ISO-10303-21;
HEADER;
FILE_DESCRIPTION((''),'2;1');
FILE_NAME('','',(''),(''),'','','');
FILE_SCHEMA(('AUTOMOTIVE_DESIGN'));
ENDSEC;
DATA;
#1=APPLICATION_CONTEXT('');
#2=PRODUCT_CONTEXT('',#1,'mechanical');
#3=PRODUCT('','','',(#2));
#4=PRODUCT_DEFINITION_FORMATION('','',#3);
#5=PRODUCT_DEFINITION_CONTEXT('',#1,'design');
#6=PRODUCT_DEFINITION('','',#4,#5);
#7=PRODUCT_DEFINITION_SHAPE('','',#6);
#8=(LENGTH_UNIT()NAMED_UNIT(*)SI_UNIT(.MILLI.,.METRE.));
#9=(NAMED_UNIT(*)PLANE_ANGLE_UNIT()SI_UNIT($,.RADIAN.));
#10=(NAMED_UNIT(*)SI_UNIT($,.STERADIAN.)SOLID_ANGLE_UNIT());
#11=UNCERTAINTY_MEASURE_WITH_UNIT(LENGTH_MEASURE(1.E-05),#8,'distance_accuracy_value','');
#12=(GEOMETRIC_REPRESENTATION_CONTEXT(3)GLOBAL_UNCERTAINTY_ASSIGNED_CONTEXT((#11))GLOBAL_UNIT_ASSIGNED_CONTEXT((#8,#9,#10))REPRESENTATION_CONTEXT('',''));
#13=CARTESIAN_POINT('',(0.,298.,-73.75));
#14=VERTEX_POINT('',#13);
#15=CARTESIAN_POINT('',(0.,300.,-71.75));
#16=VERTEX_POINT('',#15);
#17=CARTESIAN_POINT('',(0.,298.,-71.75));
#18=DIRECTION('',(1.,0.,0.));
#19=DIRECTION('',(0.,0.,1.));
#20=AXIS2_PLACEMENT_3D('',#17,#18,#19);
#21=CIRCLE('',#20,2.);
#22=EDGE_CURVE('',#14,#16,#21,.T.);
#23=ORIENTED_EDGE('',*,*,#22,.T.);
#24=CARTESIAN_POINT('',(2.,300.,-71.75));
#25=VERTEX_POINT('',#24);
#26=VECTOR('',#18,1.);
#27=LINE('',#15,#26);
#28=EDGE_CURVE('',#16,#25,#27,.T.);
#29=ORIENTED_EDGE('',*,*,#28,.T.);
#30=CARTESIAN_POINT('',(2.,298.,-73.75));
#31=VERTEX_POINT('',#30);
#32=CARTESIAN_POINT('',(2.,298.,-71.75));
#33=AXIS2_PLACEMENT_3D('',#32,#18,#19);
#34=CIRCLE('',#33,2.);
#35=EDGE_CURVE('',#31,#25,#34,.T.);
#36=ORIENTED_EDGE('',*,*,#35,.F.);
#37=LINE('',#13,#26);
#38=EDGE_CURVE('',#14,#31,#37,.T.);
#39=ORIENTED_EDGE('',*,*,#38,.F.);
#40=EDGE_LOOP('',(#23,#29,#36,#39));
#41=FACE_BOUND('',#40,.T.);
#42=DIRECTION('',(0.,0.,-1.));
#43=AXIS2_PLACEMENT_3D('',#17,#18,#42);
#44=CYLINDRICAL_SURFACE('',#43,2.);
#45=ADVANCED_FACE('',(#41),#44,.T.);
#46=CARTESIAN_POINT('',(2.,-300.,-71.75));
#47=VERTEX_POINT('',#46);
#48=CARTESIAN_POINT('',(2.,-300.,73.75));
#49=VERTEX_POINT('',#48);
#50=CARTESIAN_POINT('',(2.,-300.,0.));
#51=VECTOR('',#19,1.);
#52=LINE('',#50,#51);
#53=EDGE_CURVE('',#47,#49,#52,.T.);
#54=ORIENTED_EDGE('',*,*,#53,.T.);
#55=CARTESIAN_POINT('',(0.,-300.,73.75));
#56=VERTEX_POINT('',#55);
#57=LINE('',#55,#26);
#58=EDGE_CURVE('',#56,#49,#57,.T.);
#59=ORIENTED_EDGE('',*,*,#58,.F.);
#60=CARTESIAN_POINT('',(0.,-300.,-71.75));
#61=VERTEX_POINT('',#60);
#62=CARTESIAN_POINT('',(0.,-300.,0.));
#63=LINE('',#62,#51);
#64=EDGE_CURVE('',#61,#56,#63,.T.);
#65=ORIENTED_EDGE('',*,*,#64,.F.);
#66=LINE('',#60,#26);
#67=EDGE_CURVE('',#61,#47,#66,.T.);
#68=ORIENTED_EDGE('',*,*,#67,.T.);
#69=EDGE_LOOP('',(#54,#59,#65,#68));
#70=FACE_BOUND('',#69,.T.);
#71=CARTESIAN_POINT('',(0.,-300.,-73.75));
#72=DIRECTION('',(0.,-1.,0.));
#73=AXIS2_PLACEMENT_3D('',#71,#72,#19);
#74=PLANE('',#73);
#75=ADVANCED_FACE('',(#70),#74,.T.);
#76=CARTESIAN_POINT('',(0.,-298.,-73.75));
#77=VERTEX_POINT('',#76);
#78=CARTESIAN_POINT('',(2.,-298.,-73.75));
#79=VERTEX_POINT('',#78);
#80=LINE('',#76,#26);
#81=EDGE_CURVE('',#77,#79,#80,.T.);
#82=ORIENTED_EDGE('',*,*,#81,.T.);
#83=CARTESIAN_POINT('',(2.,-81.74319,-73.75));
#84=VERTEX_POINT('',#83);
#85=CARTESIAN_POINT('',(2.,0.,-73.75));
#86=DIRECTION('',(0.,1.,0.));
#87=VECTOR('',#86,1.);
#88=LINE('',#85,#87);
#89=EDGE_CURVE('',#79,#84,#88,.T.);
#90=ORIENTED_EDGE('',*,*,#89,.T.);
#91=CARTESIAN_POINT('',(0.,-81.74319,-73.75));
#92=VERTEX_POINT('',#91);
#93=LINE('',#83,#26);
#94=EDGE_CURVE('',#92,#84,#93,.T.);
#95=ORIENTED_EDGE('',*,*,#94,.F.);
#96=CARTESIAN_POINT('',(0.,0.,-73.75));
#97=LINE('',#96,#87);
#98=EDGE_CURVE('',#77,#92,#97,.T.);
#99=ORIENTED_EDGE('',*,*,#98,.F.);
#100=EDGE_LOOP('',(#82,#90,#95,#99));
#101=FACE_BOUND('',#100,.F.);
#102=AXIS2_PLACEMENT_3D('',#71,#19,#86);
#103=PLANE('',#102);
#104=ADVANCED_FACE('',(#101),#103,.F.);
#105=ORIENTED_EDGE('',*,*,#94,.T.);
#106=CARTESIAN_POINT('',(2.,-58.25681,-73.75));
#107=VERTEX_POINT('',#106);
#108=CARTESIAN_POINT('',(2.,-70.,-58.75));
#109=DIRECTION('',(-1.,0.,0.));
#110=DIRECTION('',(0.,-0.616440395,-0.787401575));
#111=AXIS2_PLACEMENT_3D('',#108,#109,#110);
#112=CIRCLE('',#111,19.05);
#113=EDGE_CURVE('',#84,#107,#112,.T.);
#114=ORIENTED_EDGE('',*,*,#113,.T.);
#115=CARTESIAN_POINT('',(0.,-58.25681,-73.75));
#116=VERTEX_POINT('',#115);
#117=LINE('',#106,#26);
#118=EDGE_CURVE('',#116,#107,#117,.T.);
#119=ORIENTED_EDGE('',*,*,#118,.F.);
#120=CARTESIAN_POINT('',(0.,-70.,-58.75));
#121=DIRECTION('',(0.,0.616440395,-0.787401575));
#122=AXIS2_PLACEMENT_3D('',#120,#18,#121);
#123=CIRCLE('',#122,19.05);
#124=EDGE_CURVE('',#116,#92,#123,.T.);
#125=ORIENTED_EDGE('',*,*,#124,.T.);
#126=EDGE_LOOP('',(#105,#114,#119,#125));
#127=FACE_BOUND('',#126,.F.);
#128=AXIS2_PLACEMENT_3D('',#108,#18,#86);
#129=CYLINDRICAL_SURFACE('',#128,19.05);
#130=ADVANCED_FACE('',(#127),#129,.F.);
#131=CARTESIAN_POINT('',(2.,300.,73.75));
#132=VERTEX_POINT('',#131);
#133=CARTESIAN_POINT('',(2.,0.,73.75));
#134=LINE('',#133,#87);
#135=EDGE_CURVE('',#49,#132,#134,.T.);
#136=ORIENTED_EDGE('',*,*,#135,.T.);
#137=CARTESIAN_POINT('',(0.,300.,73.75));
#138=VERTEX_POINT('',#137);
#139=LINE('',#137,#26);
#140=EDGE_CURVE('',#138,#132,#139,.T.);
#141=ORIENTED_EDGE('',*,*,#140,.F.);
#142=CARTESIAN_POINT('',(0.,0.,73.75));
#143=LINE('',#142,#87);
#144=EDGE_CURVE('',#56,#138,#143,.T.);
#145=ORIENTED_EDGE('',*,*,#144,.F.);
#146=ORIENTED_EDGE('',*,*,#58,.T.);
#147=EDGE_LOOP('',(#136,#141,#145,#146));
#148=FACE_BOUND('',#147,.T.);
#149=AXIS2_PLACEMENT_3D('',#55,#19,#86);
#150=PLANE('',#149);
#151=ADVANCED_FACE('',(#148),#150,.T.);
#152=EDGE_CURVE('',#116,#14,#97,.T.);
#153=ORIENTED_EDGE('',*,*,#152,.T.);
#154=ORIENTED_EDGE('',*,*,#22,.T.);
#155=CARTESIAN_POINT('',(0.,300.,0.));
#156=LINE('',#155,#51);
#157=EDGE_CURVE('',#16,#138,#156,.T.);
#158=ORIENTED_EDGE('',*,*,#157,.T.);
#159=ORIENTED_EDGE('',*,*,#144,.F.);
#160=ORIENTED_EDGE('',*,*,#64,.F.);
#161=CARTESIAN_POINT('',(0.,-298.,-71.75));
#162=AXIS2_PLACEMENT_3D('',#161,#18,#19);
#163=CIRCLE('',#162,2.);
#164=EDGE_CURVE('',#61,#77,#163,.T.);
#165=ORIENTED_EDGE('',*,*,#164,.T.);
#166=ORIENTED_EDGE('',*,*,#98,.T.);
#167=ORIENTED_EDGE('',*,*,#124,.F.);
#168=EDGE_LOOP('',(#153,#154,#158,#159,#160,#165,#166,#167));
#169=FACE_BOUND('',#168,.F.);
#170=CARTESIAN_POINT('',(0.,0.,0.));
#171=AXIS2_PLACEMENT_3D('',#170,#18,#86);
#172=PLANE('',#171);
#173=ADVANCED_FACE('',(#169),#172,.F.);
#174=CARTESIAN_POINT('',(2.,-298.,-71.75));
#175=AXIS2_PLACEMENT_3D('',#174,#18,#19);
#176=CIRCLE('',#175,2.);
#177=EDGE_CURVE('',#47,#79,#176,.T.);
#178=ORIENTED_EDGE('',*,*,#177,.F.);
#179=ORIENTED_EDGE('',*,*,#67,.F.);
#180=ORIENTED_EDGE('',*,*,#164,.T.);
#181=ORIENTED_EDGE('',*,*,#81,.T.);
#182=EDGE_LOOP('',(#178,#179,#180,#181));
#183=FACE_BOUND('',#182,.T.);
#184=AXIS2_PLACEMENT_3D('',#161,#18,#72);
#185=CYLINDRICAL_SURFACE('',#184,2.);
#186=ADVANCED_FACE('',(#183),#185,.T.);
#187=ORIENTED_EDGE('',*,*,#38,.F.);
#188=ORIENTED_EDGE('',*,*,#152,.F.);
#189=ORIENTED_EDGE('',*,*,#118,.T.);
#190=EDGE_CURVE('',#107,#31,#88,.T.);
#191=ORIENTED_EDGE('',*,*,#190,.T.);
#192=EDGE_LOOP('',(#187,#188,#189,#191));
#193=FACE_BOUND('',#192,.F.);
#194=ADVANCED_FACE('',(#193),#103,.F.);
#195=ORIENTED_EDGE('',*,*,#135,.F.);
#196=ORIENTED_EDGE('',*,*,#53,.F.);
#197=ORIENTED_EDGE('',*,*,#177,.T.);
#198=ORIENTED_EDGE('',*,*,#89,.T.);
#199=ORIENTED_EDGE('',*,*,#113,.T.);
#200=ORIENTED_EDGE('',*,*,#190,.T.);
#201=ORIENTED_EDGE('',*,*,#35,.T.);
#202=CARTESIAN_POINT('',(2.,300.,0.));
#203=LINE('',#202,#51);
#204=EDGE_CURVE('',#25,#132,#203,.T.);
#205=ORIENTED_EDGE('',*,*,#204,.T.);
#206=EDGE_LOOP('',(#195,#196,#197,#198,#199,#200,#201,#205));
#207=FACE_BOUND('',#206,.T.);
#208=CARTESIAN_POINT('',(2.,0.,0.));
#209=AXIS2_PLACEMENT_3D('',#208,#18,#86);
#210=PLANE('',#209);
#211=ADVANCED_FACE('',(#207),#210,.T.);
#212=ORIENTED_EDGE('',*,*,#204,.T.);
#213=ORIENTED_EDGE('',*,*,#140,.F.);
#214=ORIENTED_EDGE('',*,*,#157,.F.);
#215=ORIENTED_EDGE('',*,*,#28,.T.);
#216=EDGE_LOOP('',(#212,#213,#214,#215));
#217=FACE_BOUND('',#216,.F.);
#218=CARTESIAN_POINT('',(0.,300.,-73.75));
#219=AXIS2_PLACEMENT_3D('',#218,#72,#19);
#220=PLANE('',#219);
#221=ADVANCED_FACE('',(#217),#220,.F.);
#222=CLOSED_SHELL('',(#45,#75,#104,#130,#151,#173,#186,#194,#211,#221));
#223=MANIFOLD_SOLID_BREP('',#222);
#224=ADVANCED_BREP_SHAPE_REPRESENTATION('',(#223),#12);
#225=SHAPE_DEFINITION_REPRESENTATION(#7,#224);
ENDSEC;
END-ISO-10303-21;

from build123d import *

# Parameters (mm, degrees)
F0_W     = 600
F0_H     = 147.5
F1_DEPTH = 2
F2_R     = 2
F3_R     = 19.05
F4_DEPTH = 25


with BuildPart() as f1:
    # F0 (on Right) → F1 (new body)
    with BuildSketch(Plane.YZ):
        Rectangle(F0_W, F0_H)
    extrude(amount=F1_DEPTH)

    # F2
    f2_edges = [f1.edges().sort_by_distance(p)[0] for p in [
        (1, -300, -73.75),
        (1, 300, -73.75),
    ]]
    fillet(f2_edges, radius=F2_R)

    # F3 (on face) → F4 (cut)
    with BuildSketch(Plane.YZ.offset(2)):
        with Locations((-70, -58.75)):
            Circle(F3_R)
    extrude(amount=-F4_DEPTH, mode=Mode.SUBTRACT)


solid = f1.part
